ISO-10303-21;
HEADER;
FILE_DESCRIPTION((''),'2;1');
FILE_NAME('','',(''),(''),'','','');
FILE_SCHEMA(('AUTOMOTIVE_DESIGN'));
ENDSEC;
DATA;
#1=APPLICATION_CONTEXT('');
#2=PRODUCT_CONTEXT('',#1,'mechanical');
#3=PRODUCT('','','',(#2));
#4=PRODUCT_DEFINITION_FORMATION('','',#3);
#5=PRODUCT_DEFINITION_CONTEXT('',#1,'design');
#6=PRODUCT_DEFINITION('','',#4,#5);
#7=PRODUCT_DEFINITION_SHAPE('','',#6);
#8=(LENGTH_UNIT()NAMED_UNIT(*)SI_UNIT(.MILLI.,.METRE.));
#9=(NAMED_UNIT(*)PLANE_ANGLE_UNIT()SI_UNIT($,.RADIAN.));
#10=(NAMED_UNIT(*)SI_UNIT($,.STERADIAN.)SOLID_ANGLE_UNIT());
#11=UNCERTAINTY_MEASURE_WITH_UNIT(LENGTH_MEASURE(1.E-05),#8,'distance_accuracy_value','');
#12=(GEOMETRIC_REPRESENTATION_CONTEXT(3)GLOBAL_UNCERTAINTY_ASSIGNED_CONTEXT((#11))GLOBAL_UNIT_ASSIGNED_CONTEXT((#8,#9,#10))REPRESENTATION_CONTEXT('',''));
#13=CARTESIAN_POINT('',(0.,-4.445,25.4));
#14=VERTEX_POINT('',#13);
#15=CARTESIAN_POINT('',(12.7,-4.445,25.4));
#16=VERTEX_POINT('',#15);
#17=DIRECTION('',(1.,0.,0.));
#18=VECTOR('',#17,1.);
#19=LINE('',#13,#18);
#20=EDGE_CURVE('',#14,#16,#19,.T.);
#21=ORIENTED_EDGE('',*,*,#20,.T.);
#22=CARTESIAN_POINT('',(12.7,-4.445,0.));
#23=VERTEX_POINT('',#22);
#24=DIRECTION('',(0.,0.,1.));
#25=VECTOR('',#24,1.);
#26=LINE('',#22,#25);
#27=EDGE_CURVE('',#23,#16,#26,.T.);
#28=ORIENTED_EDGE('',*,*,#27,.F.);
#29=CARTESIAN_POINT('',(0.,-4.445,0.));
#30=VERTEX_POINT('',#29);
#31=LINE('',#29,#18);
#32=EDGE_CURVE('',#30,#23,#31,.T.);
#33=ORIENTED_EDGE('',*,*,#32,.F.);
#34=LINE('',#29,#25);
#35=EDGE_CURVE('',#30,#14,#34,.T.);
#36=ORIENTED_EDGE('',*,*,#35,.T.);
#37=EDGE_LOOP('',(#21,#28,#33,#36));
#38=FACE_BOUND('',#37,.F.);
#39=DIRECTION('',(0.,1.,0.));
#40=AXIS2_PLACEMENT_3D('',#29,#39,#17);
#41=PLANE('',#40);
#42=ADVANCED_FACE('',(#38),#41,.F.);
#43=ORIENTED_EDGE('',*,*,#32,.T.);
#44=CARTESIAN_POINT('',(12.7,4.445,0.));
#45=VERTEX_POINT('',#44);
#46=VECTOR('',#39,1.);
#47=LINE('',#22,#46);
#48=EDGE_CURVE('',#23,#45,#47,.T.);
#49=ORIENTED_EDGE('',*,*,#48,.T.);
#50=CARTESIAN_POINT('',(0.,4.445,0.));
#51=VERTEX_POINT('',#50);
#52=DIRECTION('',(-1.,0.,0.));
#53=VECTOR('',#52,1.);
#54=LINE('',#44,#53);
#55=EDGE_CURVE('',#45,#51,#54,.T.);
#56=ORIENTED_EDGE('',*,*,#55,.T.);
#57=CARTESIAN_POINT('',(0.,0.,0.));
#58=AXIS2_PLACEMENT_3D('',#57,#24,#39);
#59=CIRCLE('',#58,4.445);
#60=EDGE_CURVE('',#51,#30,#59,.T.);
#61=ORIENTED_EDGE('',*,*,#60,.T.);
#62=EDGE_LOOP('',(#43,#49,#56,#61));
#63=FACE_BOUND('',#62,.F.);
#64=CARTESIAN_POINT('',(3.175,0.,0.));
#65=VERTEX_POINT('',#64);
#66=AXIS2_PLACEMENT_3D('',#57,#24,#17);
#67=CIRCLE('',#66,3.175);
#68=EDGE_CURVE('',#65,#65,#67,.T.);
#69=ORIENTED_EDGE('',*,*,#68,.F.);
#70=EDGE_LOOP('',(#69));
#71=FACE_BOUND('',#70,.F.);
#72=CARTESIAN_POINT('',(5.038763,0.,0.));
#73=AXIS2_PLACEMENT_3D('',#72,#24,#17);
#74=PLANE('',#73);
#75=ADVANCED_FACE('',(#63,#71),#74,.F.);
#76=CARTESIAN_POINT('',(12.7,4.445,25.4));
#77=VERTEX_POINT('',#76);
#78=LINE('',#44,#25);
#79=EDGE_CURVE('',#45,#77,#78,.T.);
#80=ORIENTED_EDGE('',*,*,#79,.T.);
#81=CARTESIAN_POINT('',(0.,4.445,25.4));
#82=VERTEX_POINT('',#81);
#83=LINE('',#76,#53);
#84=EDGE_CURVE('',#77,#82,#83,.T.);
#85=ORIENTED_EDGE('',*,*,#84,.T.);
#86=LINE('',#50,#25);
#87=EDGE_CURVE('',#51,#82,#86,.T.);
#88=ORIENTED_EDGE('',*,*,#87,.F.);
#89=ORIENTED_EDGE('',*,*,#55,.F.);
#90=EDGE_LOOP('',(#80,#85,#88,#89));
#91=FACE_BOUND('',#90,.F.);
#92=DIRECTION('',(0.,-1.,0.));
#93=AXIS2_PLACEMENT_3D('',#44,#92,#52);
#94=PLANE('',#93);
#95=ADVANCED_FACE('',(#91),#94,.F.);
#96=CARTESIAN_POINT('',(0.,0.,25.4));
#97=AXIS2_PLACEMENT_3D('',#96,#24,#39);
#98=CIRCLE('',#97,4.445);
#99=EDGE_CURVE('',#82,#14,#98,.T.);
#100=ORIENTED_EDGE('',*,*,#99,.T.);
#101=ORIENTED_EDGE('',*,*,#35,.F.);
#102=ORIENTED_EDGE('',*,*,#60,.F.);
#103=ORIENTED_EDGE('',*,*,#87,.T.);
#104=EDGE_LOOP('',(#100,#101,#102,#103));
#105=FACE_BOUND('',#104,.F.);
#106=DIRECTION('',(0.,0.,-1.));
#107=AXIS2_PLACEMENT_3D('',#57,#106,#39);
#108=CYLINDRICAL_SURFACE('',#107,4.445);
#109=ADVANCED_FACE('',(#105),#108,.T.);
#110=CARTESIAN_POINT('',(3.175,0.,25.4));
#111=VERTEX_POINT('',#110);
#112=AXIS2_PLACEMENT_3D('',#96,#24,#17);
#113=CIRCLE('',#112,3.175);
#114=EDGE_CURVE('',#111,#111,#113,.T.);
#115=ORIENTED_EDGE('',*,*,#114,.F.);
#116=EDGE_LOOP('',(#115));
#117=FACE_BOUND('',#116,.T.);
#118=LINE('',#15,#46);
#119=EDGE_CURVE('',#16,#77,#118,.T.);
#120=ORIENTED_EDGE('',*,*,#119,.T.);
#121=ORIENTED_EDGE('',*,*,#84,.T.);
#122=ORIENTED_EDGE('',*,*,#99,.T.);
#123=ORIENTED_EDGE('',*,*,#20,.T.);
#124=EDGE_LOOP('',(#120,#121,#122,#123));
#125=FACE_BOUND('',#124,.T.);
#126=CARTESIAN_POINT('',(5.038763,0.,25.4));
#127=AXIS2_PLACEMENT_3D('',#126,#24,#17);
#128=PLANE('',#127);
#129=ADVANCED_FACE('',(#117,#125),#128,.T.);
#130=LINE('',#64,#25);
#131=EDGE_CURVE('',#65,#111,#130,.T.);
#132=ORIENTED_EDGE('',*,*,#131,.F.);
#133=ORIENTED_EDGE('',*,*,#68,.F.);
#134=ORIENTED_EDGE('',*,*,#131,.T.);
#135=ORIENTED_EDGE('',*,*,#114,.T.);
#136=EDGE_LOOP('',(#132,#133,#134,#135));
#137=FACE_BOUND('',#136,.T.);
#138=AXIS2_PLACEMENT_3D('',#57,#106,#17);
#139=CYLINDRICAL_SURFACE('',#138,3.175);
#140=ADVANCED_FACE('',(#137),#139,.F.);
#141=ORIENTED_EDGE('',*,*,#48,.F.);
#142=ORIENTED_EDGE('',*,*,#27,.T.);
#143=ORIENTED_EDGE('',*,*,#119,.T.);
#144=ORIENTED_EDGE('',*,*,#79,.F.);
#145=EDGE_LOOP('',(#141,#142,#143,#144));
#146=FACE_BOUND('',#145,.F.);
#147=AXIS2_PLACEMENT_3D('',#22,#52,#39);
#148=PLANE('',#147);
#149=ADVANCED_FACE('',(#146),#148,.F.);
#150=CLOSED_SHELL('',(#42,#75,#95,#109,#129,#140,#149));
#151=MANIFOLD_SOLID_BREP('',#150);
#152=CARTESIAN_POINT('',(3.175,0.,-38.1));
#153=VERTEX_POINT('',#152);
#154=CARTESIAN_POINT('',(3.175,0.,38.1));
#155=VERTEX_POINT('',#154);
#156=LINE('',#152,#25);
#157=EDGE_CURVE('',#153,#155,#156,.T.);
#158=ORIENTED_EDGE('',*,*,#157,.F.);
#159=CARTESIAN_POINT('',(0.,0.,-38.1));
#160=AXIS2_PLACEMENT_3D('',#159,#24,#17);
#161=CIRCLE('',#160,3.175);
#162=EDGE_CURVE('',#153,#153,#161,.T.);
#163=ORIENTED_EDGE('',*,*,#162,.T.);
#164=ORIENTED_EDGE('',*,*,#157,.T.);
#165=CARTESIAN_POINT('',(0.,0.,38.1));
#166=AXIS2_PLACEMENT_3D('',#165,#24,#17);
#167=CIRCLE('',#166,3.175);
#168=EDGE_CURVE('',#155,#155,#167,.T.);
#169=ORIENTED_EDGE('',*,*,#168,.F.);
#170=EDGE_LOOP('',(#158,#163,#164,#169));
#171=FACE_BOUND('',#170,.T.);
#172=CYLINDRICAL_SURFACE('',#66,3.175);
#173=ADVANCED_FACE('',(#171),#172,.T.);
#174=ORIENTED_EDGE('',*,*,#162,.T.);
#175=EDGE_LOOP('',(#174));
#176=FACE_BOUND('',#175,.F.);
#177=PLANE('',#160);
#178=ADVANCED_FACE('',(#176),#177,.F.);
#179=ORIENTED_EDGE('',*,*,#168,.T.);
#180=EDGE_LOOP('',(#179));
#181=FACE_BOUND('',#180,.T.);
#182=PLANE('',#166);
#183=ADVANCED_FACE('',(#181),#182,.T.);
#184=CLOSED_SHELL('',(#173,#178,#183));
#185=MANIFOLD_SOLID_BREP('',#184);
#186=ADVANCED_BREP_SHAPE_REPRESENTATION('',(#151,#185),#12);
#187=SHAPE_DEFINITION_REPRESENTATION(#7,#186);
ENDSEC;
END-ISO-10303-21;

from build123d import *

# Parameters (mm, degrees)
F0_R     = 3.175
F1_DEPTH = 25.4
F2_DEPTH = 38.1


with BuildPart() as f1:
    # F0 (on Top) → F1 (new body)
    with BuildSketch(Plane.XY):
        with BuildLine():
            Line((12.7, 4.445), (0, 4.445))
            ThreePointArc((0, 4.445), (-4.445, 0), (0, -4.445))
            Line((0, -4.445), (12.7, -4.445))
            Line((12.7, -4.445), (12.7, 4.445))
        make_face()
        Circle(F0_R, mode=Mode.SUBTRACT)
    extrude(amount=F1_DEPTH)


with BuildPart() as f2:
    # F0 (on Top) → F2 (new body, symmetric)
    with BuildSketch(Plane.XY):
        Circle(F0_R)
    extrude(amount=F2_DEPTH, both=True)


solid = Compound([f1.part, f2.part])
